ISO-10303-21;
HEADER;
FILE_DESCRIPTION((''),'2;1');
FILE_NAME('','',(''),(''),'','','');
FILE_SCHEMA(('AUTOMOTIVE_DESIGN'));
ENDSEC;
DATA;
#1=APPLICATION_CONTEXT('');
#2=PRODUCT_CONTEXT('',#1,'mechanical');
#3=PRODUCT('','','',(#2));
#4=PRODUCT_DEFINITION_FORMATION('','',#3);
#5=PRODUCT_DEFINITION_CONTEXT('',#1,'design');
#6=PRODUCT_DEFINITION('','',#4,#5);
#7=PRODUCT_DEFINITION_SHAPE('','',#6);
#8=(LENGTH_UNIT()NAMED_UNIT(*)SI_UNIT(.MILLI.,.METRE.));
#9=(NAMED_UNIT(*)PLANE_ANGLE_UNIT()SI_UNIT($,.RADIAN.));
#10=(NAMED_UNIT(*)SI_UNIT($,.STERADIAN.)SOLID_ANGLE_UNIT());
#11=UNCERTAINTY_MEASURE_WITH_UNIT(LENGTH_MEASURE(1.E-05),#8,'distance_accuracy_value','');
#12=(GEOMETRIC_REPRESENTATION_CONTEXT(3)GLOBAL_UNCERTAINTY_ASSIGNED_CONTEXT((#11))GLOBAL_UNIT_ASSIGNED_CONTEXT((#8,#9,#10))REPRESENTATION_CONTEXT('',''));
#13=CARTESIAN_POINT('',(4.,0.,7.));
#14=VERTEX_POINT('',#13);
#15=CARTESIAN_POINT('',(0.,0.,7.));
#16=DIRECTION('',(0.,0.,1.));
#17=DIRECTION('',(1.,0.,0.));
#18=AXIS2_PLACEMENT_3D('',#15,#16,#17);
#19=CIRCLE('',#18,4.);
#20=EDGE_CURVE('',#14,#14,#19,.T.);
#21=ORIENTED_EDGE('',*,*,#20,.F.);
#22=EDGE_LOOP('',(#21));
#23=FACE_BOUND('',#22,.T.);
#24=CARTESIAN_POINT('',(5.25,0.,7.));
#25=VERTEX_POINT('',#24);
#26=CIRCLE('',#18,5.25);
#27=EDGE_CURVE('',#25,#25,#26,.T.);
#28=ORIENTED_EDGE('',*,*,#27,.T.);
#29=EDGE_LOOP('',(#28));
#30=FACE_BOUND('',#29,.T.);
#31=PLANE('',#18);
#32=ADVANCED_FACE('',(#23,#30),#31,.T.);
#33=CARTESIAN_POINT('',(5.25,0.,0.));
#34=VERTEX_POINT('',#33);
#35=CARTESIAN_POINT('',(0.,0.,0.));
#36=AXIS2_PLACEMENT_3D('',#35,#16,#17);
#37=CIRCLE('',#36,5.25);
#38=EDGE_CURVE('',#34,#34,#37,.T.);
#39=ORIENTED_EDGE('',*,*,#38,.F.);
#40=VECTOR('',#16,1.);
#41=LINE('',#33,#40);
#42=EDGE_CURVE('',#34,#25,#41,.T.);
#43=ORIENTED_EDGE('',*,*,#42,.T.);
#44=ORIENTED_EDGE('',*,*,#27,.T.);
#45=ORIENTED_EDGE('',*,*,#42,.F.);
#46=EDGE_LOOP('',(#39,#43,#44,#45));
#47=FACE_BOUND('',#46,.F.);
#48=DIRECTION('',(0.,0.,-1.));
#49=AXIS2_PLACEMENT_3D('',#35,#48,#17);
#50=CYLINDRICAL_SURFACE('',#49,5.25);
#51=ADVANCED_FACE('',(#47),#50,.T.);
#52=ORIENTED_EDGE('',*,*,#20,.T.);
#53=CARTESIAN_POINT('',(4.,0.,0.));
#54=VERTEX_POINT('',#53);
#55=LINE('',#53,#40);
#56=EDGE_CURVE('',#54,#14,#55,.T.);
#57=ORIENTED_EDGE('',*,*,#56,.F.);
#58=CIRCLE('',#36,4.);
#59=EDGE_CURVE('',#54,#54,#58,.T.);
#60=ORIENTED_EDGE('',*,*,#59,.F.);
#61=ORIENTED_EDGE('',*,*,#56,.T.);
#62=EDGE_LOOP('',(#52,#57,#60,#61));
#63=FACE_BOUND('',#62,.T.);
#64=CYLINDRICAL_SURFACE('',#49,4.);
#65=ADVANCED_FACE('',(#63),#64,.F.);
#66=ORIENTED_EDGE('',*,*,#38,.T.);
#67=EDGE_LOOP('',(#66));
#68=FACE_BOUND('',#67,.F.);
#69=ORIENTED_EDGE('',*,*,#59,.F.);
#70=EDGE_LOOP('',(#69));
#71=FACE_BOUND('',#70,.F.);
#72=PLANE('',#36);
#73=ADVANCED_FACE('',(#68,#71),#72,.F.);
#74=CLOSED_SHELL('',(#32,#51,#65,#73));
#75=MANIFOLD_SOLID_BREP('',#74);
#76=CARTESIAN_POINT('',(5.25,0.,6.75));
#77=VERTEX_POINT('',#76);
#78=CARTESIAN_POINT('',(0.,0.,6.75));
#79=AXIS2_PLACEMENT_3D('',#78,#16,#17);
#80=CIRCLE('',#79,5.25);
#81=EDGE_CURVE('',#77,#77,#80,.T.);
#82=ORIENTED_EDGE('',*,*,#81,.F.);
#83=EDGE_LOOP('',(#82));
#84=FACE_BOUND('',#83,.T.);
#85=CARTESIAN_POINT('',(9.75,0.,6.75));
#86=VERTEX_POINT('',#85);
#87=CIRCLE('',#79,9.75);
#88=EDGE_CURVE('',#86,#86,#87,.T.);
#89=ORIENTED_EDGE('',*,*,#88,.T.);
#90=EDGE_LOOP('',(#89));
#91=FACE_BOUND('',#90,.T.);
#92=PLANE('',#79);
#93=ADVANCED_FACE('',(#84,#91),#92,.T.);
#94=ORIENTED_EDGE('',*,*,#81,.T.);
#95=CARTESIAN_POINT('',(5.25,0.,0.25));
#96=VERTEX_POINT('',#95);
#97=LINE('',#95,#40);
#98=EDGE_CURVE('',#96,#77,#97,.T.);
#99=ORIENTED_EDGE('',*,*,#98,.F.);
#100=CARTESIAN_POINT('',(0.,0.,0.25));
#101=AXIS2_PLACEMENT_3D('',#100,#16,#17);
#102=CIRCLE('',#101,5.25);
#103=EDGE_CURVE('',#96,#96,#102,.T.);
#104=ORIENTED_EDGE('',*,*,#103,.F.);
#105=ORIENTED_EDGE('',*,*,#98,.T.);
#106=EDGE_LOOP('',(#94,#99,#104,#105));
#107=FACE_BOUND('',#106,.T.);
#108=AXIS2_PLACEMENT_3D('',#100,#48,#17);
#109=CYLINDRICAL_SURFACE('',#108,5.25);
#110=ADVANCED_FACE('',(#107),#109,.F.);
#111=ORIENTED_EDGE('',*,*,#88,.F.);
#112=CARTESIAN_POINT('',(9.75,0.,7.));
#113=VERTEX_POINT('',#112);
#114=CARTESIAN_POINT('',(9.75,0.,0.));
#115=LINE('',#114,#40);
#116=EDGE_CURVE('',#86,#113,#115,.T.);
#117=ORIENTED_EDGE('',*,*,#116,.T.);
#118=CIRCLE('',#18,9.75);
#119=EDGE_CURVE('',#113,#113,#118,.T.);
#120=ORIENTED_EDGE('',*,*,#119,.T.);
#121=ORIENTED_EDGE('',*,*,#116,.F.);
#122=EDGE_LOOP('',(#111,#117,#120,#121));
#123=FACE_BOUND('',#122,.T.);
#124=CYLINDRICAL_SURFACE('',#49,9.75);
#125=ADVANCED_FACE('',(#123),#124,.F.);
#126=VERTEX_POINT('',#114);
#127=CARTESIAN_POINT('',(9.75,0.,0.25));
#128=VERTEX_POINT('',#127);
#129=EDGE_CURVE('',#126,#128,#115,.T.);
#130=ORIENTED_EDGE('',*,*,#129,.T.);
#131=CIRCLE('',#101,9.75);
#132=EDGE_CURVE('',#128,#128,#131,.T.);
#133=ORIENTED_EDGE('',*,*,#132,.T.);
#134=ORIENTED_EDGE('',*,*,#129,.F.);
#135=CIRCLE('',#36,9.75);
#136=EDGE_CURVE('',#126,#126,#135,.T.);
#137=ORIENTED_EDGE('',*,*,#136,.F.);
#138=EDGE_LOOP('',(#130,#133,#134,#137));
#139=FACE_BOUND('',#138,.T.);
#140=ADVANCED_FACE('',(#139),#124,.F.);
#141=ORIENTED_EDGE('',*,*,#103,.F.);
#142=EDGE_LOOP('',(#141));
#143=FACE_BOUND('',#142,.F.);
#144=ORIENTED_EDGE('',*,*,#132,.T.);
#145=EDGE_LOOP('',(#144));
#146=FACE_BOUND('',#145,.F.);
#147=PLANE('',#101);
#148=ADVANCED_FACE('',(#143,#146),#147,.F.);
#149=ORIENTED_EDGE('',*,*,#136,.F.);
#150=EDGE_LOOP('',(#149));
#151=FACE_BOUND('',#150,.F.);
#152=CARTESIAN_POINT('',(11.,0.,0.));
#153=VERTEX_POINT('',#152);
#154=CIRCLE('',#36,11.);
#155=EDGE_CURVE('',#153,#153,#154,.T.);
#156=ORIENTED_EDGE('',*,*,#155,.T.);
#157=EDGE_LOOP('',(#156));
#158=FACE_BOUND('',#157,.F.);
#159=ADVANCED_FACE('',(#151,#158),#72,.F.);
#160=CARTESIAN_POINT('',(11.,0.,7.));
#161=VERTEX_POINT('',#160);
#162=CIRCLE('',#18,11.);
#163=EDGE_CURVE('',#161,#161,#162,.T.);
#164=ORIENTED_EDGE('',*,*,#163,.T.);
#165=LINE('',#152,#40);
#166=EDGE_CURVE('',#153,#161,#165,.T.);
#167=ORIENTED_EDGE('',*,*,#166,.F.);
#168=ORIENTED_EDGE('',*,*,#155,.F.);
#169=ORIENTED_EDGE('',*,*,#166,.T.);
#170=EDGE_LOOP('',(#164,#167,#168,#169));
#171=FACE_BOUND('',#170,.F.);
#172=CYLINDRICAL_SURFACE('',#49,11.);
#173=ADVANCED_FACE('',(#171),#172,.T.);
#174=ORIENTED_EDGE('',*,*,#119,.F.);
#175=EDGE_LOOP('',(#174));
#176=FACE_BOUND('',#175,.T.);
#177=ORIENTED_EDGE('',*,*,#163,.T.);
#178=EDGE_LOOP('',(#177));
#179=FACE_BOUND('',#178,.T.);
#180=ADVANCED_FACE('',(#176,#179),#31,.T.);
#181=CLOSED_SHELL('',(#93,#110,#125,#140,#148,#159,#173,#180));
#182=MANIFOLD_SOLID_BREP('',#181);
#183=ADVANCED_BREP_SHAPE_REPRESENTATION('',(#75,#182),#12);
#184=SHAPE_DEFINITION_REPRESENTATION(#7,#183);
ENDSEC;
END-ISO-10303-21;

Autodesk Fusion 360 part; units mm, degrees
sketch "Sketch1" plane through (0, 0, 0) normal (0, 0, 1) x (1, 0, 0)
  circle A0 centre (0, 0) radius 11
  circle A1 centre (0, 0) radius 9.75
  circle A2 centre (0, 0) radius 4
  circle A3 centre (0, 0) radius 5.25
  dimension "d1" = 22
  dimension "d2" = 19.5
  dimension "d3" = 8
  dimension "d4" = 10.5
extrude "Extrude1" add sketch "Sketch1" along normal blind 7 contours A0 makes body 1 in component "Outer Ring"
extrude "Extrude2" add sketch "Sketch1" along normal blind 6.5 from surface at 0.25 contours A1 bodies 1 in component "Outer Ring"
extrude "Extrude1'" add sketch "Sketch1" along normal blind 7 separate body contours A3 makes body 2 in component "Inner Ring"
component "Outer Ring" placed x (1, 0, 0) y (0, 1, 0) z (0, 0, 1) at (0, 0, 0)
component "Inner Ring" placed x (1, 0, 0) y (0, 1, 0) z (0, 0, 1) at (0, 0, 0)
